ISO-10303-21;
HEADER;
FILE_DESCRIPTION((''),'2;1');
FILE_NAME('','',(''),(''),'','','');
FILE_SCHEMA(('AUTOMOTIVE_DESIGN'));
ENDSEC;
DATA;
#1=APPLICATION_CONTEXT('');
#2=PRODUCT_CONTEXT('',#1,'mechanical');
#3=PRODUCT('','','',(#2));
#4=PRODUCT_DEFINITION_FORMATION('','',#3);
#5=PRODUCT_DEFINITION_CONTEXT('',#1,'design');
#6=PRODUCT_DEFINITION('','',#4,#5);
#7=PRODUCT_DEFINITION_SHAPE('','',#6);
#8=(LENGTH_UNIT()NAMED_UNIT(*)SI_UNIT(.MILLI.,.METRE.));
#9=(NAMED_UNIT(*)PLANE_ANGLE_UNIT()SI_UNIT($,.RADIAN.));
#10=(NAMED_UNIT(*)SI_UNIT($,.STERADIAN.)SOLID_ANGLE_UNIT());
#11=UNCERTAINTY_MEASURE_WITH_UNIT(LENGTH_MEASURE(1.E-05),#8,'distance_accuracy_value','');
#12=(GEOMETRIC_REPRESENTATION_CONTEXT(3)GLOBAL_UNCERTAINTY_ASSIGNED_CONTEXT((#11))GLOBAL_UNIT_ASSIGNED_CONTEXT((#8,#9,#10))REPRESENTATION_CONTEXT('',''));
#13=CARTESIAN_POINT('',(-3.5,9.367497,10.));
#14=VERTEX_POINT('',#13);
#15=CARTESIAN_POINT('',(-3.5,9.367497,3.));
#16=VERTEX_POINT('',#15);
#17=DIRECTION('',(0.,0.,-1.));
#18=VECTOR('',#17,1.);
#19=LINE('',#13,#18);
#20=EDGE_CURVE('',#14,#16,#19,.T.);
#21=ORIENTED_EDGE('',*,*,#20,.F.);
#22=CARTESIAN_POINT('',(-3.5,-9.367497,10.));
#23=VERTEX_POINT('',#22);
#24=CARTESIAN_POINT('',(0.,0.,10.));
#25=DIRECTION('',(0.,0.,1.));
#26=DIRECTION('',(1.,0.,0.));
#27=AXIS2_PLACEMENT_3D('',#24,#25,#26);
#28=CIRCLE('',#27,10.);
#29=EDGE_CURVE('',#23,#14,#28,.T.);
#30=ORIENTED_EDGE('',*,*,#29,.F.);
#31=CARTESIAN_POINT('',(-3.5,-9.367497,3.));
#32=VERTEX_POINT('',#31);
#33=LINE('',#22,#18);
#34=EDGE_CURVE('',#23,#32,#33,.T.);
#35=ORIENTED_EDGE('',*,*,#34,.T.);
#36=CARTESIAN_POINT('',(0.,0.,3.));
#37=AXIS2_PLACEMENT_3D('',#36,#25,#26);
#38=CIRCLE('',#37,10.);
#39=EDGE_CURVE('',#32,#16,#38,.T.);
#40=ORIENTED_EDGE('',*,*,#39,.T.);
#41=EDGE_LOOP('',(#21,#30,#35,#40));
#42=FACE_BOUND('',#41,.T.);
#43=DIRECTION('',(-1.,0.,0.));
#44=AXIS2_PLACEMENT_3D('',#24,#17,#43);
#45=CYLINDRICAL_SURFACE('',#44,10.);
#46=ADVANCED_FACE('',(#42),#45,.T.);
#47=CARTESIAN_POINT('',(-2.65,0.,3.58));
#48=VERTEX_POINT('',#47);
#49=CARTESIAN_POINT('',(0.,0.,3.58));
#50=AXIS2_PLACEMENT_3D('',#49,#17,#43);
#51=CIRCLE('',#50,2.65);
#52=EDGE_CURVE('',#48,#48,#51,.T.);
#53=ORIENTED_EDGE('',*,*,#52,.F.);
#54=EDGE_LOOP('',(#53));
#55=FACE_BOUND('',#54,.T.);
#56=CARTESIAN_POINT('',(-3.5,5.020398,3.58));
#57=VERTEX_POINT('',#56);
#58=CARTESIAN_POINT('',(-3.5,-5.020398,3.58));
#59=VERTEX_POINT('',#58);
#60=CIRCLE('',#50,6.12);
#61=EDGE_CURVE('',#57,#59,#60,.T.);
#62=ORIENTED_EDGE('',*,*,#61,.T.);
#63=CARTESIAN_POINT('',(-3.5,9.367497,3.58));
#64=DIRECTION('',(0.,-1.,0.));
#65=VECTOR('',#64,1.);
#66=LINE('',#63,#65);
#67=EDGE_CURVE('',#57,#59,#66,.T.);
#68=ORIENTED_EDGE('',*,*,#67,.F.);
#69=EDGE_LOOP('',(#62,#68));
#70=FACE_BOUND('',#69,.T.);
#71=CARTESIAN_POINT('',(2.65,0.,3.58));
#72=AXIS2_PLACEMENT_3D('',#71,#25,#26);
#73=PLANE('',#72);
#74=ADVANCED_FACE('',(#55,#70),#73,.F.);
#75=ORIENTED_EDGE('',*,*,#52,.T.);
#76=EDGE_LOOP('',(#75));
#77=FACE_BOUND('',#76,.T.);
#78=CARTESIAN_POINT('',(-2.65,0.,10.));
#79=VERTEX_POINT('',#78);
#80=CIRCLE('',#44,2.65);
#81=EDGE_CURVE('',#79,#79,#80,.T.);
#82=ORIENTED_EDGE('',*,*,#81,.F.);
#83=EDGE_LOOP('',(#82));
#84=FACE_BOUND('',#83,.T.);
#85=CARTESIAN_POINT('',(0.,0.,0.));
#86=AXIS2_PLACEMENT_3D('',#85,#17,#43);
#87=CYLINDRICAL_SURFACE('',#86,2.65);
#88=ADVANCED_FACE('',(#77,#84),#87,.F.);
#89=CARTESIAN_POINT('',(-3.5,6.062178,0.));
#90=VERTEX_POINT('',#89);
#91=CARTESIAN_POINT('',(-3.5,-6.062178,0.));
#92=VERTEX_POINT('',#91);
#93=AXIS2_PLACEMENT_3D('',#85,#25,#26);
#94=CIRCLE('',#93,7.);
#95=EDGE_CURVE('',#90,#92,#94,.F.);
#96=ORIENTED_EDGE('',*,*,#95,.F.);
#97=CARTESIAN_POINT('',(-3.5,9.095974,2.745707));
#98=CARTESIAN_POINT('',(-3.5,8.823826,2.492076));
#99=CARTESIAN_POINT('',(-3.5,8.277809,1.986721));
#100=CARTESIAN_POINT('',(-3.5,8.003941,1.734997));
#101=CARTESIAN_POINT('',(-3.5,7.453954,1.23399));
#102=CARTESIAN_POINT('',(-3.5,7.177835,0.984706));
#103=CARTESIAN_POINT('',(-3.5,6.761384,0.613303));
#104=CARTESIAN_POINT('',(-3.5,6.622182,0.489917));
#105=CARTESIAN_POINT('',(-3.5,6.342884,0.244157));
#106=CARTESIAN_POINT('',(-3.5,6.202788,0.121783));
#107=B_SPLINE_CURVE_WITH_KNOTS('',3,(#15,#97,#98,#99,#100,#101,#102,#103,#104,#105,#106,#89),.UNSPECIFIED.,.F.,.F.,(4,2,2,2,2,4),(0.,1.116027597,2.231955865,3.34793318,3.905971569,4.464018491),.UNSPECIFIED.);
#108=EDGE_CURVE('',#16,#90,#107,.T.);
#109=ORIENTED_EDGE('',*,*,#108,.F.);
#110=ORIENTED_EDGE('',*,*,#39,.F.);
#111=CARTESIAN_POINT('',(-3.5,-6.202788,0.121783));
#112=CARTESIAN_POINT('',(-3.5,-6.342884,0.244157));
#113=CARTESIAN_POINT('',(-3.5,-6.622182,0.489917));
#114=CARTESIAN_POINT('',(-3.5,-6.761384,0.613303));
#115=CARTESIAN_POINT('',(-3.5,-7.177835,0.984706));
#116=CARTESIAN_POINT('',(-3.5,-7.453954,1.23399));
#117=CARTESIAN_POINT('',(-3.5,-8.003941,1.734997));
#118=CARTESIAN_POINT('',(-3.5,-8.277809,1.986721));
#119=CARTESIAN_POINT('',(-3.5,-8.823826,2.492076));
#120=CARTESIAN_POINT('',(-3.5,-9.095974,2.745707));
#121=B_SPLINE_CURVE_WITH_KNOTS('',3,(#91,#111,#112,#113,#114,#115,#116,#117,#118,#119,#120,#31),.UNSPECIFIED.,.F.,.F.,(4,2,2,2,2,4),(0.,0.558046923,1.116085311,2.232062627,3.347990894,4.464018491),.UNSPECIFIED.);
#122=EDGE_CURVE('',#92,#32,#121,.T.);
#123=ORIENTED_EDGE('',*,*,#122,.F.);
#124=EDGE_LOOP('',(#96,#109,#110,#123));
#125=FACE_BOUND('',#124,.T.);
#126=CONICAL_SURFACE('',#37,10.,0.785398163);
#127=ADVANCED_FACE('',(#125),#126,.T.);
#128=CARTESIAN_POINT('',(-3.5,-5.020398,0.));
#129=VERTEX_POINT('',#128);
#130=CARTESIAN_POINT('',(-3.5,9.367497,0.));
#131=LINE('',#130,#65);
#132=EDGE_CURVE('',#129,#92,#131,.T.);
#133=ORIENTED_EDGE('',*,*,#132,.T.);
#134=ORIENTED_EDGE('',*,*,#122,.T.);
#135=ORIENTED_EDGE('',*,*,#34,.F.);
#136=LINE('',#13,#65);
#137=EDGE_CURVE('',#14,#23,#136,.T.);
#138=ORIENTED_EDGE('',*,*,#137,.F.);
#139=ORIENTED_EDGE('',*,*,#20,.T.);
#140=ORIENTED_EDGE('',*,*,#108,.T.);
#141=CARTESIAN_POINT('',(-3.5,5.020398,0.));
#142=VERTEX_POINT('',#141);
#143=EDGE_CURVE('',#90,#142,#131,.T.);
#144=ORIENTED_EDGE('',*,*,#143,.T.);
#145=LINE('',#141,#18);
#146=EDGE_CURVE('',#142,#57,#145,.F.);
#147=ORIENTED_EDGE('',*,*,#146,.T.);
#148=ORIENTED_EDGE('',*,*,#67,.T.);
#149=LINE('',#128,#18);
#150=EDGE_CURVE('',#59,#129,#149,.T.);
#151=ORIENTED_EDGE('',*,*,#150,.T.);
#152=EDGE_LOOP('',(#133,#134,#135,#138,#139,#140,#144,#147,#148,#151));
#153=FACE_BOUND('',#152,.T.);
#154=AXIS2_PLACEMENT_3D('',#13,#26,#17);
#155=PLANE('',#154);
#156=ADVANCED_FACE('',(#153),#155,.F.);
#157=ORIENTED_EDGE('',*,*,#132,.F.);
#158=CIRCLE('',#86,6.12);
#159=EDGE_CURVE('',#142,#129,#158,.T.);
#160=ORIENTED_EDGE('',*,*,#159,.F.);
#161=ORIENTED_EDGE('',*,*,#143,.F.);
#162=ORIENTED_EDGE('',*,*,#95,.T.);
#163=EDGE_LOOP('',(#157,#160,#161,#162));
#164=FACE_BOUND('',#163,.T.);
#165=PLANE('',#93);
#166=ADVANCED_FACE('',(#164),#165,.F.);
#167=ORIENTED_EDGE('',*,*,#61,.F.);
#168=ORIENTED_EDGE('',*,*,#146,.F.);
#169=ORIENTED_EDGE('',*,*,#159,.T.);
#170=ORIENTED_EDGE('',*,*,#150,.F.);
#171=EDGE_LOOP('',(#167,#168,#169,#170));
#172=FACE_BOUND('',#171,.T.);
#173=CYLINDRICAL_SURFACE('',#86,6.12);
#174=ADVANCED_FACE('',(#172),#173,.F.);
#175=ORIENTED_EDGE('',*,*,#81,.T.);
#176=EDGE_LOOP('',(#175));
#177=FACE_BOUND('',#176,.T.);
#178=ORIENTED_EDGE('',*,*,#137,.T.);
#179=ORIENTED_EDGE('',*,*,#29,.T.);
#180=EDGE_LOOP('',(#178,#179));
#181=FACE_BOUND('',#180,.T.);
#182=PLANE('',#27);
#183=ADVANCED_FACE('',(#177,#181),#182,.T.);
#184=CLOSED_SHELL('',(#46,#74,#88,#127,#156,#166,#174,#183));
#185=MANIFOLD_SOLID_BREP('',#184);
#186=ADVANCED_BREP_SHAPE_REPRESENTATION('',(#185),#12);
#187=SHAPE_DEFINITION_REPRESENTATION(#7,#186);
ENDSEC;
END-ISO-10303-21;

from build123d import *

# Parameters (mm, degrees)
BOSS_EXTRUDE1_DEPTH                     = 10
CBORE_FOR_M5_HEX_HEAD_BOLT1_D           = 5.3
CBORE_FOR_M5_HEX_HEAD_BOLT1_CBORE_D     = 12.24
CBORE_FOR_M5_HEX_HEAD_BOLT1_CBORE_DEPTH = 3.58
CHAMFER1_SIZE                           = 3


with BuildPart() as part:
    # Sketch1 → Boss-Extrude1 (new body)
    with BuildSketch(Plane.XY):
        with BuildLine():
            Line((-3.5, 9.367496998), (-3.5, -9.367496998))
            ThreePointArc((-3.5, -9.367496998), (10, 0), (-3.5, 9.367496998))
        make_face()
    extrude(amount=BOSS_EXTRUDE1_DEPTH)

    # CBORE for M5 Hex Head Bolt1 (through all)
    with Locations(Plane(origin=(0, 0, 0), x_dir=(-1, 0, 0), z_dir=(0, 0, -1))):
        with Locations((0, 0)):
            CounterBoreHole(CBORE_FOR_M5_HEX_HEAD_BOLT1_D / 2, CBORE_FOR_M5_HEX_HEAD_BOLT1_CBORE_D / 2, CBORE_FOR_M5_HEX_HEAD_BOLT1_CBORE_DEPTH)

    # Chamfer1
    chamfer1_edges = [part.edges().sort_by_distance(p)[0] for p in [
        (10, 0, 0),
    ]]
    chamfer(chamfer1_edges, length=CHAMFER1_SIZE)


solid = part.part
